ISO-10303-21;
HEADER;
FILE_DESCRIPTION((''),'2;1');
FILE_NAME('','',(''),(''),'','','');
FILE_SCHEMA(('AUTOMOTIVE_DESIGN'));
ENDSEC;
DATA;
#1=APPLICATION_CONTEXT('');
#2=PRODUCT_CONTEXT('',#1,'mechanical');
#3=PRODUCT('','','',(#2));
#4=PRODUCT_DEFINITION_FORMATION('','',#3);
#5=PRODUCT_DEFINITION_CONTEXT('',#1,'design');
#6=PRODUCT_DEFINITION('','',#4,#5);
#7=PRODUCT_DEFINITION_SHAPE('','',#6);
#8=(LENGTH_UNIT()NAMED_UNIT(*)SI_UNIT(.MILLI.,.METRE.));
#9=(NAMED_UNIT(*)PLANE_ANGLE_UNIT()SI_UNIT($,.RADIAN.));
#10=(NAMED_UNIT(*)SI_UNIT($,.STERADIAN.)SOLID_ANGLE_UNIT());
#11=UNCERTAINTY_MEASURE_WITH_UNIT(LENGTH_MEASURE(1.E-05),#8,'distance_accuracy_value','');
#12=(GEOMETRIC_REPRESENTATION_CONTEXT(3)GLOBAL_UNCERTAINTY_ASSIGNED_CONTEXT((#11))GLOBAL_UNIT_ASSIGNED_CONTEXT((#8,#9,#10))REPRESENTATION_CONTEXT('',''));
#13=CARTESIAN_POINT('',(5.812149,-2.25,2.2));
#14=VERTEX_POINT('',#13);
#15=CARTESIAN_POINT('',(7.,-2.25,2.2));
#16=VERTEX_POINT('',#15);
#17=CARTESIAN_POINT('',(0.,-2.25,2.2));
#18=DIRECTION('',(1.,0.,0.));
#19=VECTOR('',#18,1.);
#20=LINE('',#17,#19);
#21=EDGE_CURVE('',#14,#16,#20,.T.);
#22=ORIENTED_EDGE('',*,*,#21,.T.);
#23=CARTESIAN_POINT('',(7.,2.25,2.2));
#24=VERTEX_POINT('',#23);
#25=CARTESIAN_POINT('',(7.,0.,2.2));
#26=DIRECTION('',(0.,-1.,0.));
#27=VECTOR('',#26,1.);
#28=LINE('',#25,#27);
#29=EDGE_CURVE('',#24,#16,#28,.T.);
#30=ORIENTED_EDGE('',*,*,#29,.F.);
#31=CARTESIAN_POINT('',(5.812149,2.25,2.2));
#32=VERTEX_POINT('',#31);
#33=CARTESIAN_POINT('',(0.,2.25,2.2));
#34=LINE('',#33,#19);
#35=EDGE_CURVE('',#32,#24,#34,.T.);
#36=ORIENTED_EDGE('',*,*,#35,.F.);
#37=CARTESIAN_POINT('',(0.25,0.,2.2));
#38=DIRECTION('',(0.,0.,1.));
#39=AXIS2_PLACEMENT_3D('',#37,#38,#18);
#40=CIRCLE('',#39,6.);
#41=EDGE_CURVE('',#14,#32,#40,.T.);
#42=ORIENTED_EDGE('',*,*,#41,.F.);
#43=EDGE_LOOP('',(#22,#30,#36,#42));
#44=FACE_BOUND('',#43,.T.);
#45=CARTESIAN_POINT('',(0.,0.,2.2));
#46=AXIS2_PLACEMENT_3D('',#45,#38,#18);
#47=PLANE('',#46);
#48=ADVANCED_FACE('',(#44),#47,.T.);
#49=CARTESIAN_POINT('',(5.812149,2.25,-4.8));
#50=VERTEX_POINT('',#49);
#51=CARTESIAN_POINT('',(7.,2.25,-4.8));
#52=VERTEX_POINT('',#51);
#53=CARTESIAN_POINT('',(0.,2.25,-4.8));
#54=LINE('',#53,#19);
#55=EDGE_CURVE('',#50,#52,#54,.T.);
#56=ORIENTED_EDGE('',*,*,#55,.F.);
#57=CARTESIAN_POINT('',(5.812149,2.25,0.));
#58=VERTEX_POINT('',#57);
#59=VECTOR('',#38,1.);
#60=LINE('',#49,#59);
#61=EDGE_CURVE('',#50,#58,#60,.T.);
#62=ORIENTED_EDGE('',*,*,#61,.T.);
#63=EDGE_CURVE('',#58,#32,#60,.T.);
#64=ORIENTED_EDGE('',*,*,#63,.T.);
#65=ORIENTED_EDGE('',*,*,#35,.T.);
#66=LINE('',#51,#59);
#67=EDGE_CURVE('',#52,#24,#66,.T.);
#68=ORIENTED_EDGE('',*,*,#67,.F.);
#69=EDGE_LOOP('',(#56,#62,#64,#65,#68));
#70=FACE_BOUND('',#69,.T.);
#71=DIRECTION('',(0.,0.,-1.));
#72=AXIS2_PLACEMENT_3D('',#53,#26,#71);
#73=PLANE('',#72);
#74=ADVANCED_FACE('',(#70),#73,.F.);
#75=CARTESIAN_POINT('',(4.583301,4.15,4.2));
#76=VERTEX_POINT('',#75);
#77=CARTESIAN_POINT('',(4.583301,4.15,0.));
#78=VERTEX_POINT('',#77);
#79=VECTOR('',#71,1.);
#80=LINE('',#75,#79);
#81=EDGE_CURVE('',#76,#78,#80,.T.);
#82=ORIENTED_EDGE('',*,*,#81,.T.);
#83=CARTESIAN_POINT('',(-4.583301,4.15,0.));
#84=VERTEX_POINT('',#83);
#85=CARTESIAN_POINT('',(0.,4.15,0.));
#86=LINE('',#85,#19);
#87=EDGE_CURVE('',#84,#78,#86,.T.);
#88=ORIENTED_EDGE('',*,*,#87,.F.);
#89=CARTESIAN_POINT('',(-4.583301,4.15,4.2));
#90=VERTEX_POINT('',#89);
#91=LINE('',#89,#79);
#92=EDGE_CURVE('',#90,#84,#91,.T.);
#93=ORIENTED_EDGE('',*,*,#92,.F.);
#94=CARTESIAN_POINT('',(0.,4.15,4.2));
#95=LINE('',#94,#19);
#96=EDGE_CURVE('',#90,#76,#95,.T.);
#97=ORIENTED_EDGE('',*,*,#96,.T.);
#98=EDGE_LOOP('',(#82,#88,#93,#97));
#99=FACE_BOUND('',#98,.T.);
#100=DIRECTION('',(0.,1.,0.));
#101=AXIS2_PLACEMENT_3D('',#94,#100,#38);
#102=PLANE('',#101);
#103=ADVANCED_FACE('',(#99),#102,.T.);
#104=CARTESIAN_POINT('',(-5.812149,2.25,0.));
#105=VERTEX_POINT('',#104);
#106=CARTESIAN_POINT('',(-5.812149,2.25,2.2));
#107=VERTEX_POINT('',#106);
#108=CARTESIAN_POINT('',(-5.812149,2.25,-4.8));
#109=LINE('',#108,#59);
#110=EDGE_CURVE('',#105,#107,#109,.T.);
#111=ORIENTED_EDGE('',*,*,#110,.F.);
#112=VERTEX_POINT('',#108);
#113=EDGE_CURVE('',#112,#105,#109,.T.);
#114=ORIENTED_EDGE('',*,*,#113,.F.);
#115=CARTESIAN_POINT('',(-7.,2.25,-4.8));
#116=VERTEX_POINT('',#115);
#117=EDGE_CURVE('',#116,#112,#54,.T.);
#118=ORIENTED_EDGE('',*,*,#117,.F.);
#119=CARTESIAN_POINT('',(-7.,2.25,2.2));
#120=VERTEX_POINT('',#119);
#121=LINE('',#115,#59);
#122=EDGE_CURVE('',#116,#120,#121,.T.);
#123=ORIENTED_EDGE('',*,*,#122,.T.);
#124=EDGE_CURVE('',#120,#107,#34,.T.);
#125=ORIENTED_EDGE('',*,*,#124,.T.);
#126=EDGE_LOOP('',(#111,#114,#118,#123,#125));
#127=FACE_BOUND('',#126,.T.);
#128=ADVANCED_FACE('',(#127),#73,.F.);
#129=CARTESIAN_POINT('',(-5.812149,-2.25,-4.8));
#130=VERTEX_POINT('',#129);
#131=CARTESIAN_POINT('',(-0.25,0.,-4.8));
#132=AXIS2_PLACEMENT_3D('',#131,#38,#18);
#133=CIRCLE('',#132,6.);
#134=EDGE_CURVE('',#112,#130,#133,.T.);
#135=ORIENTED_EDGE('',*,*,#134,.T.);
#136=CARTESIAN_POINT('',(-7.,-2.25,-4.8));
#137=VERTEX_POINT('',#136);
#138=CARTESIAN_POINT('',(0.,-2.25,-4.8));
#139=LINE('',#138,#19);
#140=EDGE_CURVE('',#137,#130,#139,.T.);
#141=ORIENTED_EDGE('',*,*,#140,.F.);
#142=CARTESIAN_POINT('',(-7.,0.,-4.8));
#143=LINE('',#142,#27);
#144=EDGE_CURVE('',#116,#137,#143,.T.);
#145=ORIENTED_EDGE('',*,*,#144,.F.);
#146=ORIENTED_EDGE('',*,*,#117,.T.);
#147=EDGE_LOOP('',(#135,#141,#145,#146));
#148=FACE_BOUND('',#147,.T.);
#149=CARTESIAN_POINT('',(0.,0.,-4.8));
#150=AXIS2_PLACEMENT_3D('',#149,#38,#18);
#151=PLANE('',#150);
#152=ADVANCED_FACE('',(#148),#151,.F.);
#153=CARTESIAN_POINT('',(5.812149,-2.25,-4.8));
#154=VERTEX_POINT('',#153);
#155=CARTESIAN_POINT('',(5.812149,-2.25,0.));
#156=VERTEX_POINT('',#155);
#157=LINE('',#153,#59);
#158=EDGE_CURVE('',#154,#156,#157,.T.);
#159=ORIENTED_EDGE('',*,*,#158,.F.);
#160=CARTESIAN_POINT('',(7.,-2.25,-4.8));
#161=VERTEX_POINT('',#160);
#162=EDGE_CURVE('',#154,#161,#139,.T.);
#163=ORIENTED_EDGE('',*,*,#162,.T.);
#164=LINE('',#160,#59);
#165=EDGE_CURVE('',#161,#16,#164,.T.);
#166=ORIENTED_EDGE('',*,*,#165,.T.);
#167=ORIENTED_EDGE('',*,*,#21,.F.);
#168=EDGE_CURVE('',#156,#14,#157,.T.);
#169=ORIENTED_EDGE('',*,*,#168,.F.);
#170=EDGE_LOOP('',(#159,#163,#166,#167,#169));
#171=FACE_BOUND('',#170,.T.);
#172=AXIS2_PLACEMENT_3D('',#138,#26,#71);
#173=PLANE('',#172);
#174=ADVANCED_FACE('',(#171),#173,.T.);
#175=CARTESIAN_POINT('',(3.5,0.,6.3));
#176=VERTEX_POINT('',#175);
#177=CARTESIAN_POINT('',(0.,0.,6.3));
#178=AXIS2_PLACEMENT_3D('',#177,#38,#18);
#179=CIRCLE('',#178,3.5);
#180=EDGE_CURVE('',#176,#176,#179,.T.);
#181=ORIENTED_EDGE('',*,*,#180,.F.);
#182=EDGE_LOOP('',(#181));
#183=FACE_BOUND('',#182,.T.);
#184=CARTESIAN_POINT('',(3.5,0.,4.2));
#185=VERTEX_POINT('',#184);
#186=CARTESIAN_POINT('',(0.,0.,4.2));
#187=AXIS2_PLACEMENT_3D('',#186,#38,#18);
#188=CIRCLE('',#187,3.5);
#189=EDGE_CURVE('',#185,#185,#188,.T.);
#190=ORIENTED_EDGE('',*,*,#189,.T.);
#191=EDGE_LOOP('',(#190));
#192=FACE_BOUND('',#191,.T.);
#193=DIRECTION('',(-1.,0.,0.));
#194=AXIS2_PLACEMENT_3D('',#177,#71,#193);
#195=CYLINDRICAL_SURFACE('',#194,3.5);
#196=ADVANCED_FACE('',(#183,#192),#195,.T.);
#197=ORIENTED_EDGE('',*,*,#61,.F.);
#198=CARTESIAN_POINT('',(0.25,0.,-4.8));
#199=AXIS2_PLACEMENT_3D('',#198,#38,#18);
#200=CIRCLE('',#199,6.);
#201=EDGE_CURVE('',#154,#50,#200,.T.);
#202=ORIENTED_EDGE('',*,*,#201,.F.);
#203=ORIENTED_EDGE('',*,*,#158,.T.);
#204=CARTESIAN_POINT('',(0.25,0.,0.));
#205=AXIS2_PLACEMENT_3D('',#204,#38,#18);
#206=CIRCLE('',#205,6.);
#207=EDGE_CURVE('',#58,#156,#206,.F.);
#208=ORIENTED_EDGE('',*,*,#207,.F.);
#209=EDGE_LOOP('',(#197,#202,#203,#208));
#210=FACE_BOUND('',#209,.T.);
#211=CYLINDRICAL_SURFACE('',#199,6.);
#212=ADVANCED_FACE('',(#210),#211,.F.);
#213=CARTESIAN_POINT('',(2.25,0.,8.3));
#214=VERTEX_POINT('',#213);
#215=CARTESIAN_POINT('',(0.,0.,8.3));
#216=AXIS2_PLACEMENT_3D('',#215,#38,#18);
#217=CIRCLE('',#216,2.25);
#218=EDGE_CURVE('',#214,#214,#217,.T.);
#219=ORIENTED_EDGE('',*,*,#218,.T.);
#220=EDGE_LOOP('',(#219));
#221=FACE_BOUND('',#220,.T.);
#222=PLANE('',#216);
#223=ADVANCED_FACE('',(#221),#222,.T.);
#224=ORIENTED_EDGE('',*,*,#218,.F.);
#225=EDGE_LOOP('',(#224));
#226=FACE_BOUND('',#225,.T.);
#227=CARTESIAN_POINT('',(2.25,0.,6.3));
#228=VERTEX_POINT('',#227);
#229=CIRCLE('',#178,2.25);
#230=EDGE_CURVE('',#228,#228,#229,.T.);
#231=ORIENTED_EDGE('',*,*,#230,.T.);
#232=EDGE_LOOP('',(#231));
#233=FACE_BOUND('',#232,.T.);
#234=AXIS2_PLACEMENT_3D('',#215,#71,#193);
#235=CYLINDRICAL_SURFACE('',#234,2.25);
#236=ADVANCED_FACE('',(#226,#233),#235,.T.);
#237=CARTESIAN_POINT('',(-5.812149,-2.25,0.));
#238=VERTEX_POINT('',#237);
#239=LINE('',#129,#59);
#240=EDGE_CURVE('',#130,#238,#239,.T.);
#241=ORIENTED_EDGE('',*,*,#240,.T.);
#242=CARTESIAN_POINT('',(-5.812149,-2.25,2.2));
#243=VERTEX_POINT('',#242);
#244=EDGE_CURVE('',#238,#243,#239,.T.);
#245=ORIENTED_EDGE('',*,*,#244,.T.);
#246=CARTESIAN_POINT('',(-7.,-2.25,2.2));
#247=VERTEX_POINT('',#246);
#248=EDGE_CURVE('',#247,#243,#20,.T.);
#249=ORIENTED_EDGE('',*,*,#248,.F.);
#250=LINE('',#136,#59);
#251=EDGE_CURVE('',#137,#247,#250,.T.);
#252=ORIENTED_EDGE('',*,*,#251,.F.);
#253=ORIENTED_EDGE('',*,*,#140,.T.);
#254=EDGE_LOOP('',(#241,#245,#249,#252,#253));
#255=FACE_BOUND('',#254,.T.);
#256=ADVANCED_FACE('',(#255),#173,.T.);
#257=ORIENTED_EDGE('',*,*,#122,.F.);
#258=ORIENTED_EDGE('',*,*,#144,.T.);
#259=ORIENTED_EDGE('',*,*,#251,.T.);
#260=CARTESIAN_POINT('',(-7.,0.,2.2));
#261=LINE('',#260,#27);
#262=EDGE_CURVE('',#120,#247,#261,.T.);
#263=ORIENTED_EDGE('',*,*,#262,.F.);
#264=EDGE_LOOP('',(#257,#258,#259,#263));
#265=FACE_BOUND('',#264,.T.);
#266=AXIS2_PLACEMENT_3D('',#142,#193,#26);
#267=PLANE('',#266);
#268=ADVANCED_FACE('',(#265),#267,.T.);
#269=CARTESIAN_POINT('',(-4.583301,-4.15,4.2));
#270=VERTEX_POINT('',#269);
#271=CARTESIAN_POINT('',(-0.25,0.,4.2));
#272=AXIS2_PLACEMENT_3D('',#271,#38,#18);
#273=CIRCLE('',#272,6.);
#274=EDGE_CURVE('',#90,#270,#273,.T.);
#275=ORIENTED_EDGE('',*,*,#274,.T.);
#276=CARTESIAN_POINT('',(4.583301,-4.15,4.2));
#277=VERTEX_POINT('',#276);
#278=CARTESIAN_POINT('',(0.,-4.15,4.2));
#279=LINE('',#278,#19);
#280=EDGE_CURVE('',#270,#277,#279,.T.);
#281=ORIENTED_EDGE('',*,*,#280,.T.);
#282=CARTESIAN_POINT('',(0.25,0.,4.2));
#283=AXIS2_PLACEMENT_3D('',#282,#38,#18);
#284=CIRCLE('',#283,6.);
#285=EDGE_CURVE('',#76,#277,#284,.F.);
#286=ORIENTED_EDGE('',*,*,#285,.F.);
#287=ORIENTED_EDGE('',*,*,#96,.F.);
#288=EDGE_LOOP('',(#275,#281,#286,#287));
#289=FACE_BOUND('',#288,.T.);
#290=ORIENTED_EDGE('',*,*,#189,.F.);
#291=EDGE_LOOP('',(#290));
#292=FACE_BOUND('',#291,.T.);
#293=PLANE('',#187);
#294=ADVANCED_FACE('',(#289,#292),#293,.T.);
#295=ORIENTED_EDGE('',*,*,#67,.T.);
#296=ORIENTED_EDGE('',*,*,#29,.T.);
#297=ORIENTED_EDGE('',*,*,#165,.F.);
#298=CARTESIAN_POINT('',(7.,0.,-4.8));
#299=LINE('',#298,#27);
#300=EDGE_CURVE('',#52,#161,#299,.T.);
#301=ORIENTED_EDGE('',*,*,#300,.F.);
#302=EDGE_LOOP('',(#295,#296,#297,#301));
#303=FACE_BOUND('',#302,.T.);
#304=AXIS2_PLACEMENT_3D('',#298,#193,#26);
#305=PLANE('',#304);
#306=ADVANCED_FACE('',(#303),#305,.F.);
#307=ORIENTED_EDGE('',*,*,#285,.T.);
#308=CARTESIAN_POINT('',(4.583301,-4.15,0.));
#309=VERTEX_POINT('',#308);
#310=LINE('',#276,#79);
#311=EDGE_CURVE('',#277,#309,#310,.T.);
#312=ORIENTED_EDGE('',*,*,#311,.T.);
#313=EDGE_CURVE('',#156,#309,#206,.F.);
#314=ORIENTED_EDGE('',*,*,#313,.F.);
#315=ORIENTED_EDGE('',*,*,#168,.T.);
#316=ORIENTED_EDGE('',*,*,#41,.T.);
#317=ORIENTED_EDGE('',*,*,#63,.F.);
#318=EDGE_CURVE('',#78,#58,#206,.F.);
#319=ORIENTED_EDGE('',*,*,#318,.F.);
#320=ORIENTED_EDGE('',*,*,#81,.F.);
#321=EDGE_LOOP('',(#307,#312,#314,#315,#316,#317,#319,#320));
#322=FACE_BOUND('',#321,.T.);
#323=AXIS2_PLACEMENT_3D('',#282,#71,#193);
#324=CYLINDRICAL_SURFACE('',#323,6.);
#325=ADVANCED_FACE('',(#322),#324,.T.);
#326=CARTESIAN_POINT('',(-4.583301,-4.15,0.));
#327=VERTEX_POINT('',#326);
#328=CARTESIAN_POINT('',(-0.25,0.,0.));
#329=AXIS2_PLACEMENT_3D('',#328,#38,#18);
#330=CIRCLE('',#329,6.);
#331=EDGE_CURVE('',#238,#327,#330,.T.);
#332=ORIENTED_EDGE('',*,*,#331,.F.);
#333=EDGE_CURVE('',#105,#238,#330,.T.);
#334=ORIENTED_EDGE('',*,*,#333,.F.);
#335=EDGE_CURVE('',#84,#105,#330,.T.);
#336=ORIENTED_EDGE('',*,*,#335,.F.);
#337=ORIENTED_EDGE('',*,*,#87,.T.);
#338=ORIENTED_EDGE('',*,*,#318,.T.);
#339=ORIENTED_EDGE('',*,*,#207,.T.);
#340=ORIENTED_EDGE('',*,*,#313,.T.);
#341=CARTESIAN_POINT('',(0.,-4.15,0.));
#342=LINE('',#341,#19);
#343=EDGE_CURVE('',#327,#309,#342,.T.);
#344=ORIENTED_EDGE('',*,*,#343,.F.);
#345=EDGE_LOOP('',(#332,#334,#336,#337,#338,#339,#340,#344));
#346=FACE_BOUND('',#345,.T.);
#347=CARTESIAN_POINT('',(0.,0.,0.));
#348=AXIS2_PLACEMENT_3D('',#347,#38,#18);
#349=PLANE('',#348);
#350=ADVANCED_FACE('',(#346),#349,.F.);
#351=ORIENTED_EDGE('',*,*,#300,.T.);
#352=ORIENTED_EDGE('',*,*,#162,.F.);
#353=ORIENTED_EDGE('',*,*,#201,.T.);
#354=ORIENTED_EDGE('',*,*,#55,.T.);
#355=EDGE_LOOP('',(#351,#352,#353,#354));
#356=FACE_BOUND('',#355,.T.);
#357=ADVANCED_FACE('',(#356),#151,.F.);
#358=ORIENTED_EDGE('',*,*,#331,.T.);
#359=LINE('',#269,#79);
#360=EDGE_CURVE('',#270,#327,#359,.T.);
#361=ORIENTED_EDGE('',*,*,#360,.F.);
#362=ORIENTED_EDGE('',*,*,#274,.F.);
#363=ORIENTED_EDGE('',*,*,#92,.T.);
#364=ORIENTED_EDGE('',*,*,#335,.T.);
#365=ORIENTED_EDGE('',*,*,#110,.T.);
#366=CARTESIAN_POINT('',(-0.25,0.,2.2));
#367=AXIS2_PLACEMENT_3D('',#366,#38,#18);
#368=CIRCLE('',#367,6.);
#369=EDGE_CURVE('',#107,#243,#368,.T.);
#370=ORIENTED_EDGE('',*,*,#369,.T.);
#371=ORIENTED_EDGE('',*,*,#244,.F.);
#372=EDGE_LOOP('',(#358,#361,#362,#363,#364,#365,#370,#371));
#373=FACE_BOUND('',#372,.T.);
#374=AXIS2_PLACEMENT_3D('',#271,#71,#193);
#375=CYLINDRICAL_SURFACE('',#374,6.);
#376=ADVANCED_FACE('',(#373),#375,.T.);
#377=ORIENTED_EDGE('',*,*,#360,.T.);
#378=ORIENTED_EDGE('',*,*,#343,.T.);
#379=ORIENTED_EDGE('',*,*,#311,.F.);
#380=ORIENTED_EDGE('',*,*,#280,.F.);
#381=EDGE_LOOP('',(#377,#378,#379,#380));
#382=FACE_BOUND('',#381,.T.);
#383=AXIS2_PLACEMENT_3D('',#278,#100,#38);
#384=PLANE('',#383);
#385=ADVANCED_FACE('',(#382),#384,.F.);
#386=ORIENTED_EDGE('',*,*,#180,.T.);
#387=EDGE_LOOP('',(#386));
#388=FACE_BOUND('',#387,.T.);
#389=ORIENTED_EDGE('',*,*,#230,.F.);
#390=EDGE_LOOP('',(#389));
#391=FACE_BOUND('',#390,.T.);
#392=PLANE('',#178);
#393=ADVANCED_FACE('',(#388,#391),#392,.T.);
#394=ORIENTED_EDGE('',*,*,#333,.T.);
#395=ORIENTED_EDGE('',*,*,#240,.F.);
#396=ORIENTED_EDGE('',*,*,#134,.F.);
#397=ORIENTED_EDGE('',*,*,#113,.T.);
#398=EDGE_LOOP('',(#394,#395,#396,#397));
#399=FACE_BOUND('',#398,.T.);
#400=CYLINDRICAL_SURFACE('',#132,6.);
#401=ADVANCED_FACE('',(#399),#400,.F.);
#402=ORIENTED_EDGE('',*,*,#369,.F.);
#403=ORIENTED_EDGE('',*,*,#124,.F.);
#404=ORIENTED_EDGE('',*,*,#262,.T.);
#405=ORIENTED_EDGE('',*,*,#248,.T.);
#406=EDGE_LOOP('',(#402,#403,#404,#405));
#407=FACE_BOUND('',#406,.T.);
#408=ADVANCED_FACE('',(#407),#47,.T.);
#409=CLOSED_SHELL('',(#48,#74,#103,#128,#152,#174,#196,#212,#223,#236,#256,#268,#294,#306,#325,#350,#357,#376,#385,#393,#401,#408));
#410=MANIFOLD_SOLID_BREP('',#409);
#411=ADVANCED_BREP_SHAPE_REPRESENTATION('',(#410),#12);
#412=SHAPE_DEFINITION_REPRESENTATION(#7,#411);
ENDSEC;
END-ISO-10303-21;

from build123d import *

# Parameters (mm, degrees)
EXTRUDE_1_DEPTH = 4.2
SKETCH_2_R      = 3.5
EXTRUDE_2_DEPTH = 2.1
SKETCH_3_R      = 2.25
EXTRUDE_3_DEPTH = 2
EXTRUDE_START   = -9
EXTRUDE_4_DEPTH = 7


with BuildPart() as part:
    # 草图1 → 凸台-拉伸1 (new body)
    with BuildSketch(Plane.XY):
        with BuildLine():
            ThreePointArc((-6.25, 3.3e-08), (-5.817755734, -2.236089463), (-4.583301282, -4.15))
            Line((-4.583301282, -4.15), (4.583301282, -4.15))
            ThreePointArc((4.583301282, -4.15), (5.817755724, -2.236089488), (6.25, -2.1e-08))
            ThreePointArc((6.25, -2.1e-08), (5.817755732, 2.236089469), (4.583301282, 4.15))
            Line((4.583301282, 4.15), (-4.583301282, 4.15))
            ThreePointArc((-4.583301282, 4.15), (-5.817755722, 2.236089494), (-6.25, 3.3e-08))
        make_face()
    extrude(amount=EXTRUDE_1_DEPTH)

    # 草图2 → 凸台-拉伸2 (add)
    with BuildSketch(Plane.XY.offset(4.2)):
        Circle(SKETCH_2_R)
    extrude(amount=EXTRUDE_2_DEPTH)

    # 草图3 → 凸台-拉伸3 (add)
    with BuildSketch(Plane.XY.offset(6.3)):
        Circle(SKETCH_3_R)
    extrude(amount=EXTRUDE_3_DEPTH)

    # 草图4 → 凸台-拉伸4 (add)
    with BuildSketch(Plane.XY.offset(4.2).offset(EXTRUDE_START)):
        with BuildLine():
            ThreePointArc((-5.812148865, -2.25), (-6.25, 0), (-5.812148865, 2.25))
            Line((-5.812148865, 2.25), (-7, 2.25))
            Line((-7, 2.25), (-7, -2.25))
            Line((-7, -2.25), (-5.812148865, -2.25))
        make_face()
        with BuildLine():
            Line((7, 2.25), (5.812148865, 2.25))
            ThreePointArc((5.812148865, 2.25), (6.25, 0), (5.812148865, -2.25))
            Line((5.812148865, -2.25), (7, -2.25))
            Line((7, -2.25), (7, 2.25))
        make_face()
    extrude(amount=EXTRUDE_4_DEPTH)


solid = part.part
